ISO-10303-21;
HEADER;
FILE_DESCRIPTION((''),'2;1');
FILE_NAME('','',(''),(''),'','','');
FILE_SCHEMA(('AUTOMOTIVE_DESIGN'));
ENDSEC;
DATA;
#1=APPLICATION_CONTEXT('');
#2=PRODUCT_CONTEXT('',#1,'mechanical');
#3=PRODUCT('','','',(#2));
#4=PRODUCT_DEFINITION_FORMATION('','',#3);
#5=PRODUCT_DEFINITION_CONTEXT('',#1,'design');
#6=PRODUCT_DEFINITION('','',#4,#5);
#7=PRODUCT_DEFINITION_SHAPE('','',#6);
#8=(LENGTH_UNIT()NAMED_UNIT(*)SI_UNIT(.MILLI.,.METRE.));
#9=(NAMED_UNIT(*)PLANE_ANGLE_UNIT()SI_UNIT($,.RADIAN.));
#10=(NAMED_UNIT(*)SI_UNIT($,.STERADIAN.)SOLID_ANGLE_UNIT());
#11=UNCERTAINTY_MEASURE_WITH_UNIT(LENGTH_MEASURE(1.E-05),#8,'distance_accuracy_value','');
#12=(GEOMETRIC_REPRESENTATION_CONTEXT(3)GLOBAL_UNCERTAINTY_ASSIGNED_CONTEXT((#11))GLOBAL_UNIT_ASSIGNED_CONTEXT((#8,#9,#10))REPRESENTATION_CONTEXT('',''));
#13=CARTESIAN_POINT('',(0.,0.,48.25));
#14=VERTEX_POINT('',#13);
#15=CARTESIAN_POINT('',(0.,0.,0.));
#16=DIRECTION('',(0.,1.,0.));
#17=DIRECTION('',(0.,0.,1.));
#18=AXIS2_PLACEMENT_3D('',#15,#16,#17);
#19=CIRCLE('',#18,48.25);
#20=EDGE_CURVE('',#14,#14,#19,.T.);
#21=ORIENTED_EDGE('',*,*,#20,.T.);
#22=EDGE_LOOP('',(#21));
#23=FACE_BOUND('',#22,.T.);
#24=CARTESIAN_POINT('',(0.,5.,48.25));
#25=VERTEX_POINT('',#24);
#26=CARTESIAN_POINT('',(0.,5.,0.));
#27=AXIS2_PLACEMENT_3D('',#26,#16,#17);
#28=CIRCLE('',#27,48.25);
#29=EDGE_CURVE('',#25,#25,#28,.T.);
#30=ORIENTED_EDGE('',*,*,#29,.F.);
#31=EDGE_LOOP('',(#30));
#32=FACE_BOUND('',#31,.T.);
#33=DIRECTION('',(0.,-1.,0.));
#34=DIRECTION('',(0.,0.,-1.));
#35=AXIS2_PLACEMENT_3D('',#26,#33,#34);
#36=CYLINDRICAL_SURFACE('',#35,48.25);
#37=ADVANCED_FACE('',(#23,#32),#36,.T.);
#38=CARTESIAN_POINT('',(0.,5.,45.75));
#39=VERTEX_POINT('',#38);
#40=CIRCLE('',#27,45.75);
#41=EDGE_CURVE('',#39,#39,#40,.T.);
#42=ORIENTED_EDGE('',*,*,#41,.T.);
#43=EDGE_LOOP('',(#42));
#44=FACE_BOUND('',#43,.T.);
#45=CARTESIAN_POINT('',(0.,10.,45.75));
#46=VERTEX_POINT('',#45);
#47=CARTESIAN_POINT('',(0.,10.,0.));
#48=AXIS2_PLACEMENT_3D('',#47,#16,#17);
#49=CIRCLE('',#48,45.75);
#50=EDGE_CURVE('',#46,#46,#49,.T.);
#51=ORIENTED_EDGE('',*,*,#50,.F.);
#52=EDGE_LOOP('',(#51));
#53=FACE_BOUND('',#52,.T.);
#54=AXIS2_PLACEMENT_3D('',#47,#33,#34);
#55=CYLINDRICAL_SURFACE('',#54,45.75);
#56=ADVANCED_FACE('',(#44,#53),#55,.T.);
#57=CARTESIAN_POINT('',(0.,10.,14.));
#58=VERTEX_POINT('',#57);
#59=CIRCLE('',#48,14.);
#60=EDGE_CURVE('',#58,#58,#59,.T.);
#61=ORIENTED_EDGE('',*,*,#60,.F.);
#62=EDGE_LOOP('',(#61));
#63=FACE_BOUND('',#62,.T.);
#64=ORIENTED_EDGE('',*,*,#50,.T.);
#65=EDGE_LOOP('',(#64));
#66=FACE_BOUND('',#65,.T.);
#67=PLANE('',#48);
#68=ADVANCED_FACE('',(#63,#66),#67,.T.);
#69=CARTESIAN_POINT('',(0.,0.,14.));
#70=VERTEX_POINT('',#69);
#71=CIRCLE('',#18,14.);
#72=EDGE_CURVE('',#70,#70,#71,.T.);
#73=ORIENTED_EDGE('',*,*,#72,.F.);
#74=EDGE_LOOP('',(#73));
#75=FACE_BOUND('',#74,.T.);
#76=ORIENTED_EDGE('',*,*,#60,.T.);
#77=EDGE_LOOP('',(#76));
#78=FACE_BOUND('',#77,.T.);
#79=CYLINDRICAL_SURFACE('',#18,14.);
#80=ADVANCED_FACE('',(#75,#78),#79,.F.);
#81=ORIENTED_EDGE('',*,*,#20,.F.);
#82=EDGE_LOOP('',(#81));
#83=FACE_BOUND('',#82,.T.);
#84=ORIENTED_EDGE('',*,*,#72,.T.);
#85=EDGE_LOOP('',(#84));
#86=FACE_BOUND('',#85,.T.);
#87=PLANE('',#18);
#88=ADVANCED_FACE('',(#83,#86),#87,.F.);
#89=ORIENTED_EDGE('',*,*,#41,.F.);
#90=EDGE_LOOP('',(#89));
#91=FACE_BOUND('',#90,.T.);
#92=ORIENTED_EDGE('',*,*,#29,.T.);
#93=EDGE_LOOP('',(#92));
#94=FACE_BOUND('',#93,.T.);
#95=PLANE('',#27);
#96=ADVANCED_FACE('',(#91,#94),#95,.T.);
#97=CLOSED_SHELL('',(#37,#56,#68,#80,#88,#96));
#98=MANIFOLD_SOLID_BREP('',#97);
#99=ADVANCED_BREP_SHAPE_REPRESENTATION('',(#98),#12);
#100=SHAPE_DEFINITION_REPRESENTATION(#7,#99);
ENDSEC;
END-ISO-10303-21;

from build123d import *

# Parameters (mm, degrees)
SKETCH1_R           = 48.25
BOSS_EXTRUDE1_DEPTH = 5
SKETCH2_R           = 45.75
BOSS_EXTRUDE2_DEPTH = 5
SKETCH3_R           = 14
CUT_EXTRUDE1_DEPTH  = 69.964664865


with BuildPart() as part:
    # Sketch1 → Boss-Extrude1 (new body)
    with BuildSketch(Plane(origin=(0, 0, 0), x_dir=(1, 0, 0), z_dir=(0, 1, 0))):
        with Locations(Location((0, 0, 0), (0, 0, 270))):
            Circle(SKETCH1_R)
    extrude(amount=BOSS_EXTRUDE1_DEPTH)

    # Sketch2 → Boss-Extrude2 (add)
    with BuildSketch(Plane(origin=(0, 5, 0), x_dir=(1, 0, 0), z_dir=(0, 1, 0))):
        with Locations(Location((0, 0, 0), (0, 0, 270))):
            Circle(SKETCH2_R)
    extrude(amount=BOSS_EXTRUDE2_DEPTH)

    # Sketch3 → Cut-Extrude1 (cut, through all)
    with BuildSketch(Plane(origin=(0, 10, 0), x_dir=(1, 0, 0), z_dir=(0, 1, 0))):
        with Locations(Location((0, 0, 0), (0, 0, 270))):
            Circle(SKETCH3_R)
    extrude(amount=-CUT_EXTRUDE1_DEPTH, mode=Mode.SUBTRACT)


solid = part.part
